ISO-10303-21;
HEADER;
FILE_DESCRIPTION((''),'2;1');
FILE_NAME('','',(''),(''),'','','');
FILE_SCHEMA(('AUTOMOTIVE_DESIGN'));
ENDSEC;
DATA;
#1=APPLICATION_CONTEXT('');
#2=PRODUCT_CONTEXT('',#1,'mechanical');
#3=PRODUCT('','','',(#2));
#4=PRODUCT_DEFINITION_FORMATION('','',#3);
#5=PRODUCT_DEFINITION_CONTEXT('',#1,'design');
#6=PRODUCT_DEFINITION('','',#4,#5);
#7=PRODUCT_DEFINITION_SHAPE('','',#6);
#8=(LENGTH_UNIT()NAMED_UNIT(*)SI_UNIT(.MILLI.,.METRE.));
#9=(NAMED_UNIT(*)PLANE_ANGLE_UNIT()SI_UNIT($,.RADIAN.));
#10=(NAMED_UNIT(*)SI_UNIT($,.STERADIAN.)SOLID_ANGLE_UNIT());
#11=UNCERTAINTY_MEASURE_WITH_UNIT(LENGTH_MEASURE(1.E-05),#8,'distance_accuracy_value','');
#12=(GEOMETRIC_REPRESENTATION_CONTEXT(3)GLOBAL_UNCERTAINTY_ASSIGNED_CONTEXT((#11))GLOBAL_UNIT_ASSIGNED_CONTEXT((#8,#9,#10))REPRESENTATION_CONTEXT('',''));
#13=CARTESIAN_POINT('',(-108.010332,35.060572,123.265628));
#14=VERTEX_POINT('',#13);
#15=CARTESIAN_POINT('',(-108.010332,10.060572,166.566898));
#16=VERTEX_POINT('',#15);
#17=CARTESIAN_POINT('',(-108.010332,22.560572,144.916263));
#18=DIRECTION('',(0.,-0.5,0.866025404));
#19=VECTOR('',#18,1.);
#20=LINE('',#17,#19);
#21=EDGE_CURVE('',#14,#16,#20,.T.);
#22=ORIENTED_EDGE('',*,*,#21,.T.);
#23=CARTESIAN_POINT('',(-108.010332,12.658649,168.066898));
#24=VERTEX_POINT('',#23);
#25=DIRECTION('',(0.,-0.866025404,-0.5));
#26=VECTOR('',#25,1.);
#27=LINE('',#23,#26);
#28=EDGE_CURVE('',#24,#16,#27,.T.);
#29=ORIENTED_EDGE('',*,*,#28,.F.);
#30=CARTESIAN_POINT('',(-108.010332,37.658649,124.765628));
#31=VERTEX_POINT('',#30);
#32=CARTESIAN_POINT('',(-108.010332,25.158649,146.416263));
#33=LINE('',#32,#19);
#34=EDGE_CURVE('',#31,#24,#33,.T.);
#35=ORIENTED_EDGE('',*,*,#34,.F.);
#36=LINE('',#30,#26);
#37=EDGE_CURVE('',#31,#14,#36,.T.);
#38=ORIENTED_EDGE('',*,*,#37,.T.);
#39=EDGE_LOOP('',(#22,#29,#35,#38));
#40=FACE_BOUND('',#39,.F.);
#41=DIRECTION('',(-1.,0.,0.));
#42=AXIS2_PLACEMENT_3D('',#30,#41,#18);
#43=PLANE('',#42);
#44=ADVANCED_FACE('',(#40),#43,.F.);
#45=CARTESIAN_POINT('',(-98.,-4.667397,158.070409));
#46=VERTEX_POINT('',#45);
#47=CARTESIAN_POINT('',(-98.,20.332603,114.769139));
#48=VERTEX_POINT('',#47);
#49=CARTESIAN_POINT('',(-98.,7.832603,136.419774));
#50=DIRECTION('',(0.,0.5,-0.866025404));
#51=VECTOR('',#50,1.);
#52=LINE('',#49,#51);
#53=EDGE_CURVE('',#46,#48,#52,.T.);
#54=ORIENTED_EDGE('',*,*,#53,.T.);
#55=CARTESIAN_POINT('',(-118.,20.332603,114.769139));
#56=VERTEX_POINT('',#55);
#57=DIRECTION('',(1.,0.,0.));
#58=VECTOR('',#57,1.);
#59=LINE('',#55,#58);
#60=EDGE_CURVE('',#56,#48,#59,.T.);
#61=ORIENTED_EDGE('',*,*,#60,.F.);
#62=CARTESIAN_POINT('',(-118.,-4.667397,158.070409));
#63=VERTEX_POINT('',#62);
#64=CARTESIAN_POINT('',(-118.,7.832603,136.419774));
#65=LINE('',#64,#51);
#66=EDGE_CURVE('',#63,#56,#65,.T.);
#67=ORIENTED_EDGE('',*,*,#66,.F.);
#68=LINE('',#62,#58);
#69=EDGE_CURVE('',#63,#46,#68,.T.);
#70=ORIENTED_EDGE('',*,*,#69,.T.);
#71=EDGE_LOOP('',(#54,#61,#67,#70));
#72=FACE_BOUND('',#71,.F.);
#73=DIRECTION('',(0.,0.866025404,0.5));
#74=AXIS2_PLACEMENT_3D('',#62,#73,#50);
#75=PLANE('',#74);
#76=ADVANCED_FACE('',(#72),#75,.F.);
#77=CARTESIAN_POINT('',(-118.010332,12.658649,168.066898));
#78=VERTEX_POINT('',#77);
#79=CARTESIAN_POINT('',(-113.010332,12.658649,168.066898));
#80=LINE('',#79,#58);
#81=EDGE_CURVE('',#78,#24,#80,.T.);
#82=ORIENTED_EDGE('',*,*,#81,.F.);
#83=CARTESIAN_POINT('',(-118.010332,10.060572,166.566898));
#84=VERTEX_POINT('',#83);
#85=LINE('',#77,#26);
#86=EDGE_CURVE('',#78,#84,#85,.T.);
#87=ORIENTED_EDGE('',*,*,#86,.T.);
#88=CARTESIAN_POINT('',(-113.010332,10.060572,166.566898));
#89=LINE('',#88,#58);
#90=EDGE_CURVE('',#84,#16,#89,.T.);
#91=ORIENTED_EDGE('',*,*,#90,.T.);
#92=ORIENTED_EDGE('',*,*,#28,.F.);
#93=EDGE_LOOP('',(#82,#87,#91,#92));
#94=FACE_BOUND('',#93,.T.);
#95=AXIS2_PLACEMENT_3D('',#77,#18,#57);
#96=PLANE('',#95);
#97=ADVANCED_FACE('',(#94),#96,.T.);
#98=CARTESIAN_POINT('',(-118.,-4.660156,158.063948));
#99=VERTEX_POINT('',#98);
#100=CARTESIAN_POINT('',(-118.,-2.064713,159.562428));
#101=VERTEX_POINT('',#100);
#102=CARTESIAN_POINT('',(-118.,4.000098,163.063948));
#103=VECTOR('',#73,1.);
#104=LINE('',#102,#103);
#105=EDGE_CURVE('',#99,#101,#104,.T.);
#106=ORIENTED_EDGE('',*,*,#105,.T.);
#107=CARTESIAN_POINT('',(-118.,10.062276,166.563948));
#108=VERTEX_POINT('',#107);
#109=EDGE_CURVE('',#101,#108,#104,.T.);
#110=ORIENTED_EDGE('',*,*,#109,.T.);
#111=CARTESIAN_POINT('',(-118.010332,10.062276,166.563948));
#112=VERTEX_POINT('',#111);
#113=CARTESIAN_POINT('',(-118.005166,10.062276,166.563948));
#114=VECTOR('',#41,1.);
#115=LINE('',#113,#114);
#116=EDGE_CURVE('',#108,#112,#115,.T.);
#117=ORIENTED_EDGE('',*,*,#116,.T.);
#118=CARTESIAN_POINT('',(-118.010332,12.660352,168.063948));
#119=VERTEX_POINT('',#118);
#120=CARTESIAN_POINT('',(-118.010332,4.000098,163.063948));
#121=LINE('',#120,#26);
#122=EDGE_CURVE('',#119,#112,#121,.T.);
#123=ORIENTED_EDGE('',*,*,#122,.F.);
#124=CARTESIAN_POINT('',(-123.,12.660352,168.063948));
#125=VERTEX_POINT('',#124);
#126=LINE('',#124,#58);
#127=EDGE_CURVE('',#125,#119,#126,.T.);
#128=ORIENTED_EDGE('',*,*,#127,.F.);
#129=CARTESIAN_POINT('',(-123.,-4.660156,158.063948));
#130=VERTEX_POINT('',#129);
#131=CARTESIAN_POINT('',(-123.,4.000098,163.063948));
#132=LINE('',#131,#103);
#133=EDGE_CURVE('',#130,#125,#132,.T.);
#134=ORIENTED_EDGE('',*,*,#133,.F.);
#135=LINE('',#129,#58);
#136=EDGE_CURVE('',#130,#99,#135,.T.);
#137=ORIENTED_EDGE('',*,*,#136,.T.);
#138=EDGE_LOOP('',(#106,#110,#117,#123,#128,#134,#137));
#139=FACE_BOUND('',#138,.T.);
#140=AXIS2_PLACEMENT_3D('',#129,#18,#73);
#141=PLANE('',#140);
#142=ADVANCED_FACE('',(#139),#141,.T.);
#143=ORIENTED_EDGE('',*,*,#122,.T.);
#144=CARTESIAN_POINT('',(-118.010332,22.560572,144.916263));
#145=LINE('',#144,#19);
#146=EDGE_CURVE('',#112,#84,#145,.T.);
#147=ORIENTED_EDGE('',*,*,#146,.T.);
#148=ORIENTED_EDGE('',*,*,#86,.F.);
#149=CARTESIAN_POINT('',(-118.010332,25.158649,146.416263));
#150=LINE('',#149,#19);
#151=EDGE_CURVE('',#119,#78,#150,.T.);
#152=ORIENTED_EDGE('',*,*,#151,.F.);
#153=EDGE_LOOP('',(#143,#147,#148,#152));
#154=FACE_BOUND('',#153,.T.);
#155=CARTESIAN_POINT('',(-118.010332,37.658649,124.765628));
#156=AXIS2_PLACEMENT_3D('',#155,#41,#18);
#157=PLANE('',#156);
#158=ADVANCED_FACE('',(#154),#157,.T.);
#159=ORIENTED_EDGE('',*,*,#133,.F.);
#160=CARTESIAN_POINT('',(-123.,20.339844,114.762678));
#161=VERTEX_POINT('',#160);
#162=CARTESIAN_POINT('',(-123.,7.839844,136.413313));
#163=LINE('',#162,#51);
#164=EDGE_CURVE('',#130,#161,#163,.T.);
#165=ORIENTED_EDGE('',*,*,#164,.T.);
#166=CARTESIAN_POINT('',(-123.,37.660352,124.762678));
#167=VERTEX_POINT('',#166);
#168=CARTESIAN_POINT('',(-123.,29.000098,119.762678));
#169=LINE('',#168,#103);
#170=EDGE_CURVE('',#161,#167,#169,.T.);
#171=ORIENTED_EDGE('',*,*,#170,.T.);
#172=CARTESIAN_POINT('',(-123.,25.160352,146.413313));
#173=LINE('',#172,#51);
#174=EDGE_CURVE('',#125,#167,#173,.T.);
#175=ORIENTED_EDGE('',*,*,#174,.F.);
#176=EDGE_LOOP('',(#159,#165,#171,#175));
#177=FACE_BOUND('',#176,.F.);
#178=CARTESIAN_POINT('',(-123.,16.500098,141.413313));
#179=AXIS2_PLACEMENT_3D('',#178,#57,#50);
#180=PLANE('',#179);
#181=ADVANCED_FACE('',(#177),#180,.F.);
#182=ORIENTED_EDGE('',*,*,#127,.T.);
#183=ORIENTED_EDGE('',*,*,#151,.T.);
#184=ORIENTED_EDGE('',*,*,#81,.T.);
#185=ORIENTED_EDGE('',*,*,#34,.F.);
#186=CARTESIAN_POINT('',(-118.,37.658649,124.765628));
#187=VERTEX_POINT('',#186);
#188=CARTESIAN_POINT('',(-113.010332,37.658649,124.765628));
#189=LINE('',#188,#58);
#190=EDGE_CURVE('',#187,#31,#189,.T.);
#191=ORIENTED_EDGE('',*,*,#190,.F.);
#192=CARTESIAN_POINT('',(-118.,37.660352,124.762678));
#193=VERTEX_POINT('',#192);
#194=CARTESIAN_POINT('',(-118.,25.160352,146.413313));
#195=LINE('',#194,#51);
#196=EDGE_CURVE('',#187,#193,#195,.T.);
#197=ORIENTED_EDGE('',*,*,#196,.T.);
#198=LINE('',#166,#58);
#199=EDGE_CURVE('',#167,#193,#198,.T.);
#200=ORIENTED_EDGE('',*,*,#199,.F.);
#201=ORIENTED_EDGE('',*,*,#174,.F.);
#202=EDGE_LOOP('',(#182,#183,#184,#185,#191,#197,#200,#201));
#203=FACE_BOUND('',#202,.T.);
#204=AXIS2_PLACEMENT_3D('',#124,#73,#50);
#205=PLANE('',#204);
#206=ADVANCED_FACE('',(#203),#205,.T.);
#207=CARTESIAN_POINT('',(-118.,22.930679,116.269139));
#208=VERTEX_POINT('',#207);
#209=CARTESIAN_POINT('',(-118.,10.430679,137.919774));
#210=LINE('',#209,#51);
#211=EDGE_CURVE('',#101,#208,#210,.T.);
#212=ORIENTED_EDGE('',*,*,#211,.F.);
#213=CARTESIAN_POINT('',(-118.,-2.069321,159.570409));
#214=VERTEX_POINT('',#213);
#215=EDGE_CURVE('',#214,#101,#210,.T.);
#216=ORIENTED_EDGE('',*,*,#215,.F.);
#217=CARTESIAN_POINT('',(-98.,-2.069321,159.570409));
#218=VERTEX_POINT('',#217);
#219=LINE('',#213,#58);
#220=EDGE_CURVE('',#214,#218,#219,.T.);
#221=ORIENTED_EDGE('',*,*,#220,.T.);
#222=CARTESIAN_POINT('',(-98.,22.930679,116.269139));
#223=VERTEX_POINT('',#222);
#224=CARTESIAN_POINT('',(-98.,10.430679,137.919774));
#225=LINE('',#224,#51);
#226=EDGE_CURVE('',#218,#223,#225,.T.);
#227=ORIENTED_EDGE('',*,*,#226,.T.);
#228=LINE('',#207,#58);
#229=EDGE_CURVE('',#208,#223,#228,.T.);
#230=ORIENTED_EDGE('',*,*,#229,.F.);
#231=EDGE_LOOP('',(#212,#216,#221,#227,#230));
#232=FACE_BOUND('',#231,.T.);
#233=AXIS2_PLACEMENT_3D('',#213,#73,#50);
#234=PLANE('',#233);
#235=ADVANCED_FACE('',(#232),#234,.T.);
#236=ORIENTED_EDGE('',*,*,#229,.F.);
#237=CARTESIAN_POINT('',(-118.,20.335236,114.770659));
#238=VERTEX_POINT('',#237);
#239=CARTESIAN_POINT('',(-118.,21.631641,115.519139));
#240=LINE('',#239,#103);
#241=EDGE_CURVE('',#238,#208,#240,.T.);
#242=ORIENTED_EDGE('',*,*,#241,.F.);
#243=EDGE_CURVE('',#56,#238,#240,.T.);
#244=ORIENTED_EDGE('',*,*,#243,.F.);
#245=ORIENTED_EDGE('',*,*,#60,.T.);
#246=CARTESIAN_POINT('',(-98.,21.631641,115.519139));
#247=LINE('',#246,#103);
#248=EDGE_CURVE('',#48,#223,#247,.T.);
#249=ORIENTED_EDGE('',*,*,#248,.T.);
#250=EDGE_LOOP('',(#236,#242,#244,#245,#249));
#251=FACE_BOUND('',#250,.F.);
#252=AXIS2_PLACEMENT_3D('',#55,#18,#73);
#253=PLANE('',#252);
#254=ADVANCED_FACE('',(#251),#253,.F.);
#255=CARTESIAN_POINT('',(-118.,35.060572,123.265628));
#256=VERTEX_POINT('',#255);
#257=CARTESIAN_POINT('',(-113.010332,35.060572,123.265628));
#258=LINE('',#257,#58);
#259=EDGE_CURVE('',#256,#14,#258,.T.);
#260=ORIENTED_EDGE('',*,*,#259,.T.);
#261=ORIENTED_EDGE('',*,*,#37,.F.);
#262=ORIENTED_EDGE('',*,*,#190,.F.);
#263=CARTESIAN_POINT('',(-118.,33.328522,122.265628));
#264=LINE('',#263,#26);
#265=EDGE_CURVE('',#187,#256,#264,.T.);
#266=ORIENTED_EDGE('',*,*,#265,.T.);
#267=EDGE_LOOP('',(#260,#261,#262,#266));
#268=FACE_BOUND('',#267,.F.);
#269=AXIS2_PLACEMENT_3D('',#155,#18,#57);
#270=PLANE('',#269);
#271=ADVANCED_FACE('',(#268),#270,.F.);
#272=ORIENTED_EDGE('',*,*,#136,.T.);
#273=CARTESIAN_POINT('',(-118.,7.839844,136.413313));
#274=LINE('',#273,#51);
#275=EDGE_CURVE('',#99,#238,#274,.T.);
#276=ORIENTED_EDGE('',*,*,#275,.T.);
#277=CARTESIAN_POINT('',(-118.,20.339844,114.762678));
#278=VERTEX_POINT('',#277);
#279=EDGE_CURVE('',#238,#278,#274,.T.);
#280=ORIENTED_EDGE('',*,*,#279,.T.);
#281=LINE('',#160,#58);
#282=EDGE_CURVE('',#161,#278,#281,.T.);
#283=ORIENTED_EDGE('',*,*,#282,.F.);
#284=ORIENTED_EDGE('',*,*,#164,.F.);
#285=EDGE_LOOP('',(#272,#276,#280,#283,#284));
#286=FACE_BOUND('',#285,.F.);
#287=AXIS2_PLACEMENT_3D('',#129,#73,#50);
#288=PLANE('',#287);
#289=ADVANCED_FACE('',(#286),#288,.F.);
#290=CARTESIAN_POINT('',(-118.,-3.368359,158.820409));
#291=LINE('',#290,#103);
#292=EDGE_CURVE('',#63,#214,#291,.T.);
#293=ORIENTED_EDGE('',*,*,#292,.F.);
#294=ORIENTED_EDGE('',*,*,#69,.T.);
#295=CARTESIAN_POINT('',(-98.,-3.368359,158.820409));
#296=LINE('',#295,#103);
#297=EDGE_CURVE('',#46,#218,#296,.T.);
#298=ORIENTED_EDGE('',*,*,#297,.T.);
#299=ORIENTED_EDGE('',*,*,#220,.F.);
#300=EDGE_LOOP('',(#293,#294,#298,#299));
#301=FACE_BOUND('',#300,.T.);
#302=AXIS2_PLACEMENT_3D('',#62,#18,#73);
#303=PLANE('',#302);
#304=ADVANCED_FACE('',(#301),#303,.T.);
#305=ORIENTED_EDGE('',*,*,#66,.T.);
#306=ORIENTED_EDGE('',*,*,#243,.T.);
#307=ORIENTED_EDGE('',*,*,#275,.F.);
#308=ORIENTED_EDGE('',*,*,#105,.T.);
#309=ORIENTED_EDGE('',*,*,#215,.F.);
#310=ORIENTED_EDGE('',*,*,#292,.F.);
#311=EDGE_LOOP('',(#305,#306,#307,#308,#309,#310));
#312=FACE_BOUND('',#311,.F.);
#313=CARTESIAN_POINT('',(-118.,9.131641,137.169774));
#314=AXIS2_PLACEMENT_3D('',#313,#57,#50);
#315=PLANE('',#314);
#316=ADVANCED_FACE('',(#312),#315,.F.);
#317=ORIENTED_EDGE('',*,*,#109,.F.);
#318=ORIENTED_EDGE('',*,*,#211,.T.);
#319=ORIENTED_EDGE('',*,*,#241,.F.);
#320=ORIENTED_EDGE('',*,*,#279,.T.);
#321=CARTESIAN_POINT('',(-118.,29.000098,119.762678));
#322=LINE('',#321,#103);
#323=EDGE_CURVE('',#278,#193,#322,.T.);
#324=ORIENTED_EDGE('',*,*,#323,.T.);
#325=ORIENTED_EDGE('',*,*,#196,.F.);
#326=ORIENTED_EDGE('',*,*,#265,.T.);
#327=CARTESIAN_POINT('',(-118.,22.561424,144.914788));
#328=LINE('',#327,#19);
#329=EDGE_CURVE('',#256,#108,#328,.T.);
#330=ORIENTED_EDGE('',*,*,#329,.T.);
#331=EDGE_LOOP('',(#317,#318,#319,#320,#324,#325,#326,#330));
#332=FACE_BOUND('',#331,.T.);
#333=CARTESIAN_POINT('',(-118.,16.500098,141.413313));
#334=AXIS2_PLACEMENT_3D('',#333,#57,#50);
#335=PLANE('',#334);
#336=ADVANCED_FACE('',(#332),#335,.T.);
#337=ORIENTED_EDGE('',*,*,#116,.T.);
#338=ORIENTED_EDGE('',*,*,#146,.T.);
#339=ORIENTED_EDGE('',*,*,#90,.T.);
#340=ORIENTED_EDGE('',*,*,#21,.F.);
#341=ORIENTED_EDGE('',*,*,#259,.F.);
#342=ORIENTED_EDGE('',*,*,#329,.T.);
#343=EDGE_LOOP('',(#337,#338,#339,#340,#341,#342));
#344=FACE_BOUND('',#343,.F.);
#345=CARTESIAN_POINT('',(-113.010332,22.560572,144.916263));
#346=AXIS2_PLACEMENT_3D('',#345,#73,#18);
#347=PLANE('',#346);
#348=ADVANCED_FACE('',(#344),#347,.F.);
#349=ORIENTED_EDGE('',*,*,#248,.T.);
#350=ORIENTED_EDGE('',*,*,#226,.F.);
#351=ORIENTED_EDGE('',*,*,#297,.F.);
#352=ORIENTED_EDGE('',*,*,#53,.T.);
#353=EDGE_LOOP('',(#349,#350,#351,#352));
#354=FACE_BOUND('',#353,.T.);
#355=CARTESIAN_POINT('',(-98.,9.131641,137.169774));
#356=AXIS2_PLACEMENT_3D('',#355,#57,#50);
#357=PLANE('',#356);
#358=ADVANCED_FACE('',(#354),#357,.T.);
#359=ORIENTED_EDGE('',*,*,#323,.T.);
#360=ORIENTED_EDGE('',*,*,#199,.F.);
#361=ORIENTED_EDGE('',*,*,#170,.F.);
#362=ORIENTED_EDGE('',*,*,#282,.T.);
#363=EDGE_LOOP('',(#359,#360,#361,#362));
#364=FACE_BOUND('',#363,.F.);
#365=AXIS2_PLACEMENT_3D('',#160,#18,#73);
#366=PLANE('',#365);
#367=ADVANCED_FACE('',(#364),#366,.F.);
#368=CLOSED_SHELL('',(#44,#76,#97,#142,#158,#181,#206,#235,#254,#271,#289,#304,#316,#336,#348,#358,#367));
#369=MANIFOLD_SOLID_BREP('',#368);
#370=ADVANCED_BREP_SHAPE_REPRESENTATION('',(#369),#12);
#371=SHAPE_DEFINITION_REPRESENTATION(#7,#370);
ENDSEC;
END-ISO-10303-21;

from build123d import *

# Parameters (mm, degrees)
SKETCH063_W             = 50
SKETCH063_H             = 20
PAD062_DEPTH            = 5
SKETCH064_W             = 50
SKETCH064_H             = 3
PAD063_DEPTH            = 20
SKETCH065_W             = 50
SKETCH065_H             = 10
PAD064_DEPTH            = 3
BODY045_ROLL_ANGLE      = 90
BODY045_PITCH_ANGLE     = 60
BODY045_PLACEMENT_ANGLE = 90


with BuildPart() as part:
    # Sketch063 → Pad062 (new body)
    with BuildSketch(Plane.XY):
        with Locations((184.845276, -123.914059)):
            Rectangle(SKETCH063_W, SKETCH063_H)
    extrude(amount=PAD062_DEPTH)

    # Sketch064 (on Face6 of Pad062) → Pad063 (join)
    with BuildSketch(Plane.XY.offset(5)):
        with Locations((184.83606, -132.417099)):
            Rectangle(SKETCH064_W, SKETCH064_H)
    extrude(amount=PAD063_DEPTH)

    # Sketch065 (on Face7 of Pad063) → Pad064 (join)
    with BuildSketch(Plane(origin=(0, -113.914059, 0), x_dir=(-1, 0, 0), z_dir=(0, 1, 0))):
        with Locations((-184.841869, 9.989668)):
            Rectangle(SKETCH065_W, SKETCH065_H)
    extrude(amount=-PAD064_DEPTH)


with BuildPart() as part_1:
    # Body045 roll: moved
    add(part.part.rotate(Axis((0, 0, 0), (1, 0, 0)), BODY045_ROLL_ANGLE))


with BuildPart() as part_2:
    # Body045 pitch: moved
    add(part_1.part.rotate(Axis((0, 0, 0), (0, 1, 0)), BODY045_PITCH_ANGLE))


with BuildPart() as part_3:
    # Body045 placement: moved
    add(part_2.part.moved(Location((-123, 31.390183, 363.451047))).rotate(Axis((-123, 31.390183, 363.451047), (0, 0, 1)), BODY045_PLACEMENT_ANGLE))


solid = part_3.part
